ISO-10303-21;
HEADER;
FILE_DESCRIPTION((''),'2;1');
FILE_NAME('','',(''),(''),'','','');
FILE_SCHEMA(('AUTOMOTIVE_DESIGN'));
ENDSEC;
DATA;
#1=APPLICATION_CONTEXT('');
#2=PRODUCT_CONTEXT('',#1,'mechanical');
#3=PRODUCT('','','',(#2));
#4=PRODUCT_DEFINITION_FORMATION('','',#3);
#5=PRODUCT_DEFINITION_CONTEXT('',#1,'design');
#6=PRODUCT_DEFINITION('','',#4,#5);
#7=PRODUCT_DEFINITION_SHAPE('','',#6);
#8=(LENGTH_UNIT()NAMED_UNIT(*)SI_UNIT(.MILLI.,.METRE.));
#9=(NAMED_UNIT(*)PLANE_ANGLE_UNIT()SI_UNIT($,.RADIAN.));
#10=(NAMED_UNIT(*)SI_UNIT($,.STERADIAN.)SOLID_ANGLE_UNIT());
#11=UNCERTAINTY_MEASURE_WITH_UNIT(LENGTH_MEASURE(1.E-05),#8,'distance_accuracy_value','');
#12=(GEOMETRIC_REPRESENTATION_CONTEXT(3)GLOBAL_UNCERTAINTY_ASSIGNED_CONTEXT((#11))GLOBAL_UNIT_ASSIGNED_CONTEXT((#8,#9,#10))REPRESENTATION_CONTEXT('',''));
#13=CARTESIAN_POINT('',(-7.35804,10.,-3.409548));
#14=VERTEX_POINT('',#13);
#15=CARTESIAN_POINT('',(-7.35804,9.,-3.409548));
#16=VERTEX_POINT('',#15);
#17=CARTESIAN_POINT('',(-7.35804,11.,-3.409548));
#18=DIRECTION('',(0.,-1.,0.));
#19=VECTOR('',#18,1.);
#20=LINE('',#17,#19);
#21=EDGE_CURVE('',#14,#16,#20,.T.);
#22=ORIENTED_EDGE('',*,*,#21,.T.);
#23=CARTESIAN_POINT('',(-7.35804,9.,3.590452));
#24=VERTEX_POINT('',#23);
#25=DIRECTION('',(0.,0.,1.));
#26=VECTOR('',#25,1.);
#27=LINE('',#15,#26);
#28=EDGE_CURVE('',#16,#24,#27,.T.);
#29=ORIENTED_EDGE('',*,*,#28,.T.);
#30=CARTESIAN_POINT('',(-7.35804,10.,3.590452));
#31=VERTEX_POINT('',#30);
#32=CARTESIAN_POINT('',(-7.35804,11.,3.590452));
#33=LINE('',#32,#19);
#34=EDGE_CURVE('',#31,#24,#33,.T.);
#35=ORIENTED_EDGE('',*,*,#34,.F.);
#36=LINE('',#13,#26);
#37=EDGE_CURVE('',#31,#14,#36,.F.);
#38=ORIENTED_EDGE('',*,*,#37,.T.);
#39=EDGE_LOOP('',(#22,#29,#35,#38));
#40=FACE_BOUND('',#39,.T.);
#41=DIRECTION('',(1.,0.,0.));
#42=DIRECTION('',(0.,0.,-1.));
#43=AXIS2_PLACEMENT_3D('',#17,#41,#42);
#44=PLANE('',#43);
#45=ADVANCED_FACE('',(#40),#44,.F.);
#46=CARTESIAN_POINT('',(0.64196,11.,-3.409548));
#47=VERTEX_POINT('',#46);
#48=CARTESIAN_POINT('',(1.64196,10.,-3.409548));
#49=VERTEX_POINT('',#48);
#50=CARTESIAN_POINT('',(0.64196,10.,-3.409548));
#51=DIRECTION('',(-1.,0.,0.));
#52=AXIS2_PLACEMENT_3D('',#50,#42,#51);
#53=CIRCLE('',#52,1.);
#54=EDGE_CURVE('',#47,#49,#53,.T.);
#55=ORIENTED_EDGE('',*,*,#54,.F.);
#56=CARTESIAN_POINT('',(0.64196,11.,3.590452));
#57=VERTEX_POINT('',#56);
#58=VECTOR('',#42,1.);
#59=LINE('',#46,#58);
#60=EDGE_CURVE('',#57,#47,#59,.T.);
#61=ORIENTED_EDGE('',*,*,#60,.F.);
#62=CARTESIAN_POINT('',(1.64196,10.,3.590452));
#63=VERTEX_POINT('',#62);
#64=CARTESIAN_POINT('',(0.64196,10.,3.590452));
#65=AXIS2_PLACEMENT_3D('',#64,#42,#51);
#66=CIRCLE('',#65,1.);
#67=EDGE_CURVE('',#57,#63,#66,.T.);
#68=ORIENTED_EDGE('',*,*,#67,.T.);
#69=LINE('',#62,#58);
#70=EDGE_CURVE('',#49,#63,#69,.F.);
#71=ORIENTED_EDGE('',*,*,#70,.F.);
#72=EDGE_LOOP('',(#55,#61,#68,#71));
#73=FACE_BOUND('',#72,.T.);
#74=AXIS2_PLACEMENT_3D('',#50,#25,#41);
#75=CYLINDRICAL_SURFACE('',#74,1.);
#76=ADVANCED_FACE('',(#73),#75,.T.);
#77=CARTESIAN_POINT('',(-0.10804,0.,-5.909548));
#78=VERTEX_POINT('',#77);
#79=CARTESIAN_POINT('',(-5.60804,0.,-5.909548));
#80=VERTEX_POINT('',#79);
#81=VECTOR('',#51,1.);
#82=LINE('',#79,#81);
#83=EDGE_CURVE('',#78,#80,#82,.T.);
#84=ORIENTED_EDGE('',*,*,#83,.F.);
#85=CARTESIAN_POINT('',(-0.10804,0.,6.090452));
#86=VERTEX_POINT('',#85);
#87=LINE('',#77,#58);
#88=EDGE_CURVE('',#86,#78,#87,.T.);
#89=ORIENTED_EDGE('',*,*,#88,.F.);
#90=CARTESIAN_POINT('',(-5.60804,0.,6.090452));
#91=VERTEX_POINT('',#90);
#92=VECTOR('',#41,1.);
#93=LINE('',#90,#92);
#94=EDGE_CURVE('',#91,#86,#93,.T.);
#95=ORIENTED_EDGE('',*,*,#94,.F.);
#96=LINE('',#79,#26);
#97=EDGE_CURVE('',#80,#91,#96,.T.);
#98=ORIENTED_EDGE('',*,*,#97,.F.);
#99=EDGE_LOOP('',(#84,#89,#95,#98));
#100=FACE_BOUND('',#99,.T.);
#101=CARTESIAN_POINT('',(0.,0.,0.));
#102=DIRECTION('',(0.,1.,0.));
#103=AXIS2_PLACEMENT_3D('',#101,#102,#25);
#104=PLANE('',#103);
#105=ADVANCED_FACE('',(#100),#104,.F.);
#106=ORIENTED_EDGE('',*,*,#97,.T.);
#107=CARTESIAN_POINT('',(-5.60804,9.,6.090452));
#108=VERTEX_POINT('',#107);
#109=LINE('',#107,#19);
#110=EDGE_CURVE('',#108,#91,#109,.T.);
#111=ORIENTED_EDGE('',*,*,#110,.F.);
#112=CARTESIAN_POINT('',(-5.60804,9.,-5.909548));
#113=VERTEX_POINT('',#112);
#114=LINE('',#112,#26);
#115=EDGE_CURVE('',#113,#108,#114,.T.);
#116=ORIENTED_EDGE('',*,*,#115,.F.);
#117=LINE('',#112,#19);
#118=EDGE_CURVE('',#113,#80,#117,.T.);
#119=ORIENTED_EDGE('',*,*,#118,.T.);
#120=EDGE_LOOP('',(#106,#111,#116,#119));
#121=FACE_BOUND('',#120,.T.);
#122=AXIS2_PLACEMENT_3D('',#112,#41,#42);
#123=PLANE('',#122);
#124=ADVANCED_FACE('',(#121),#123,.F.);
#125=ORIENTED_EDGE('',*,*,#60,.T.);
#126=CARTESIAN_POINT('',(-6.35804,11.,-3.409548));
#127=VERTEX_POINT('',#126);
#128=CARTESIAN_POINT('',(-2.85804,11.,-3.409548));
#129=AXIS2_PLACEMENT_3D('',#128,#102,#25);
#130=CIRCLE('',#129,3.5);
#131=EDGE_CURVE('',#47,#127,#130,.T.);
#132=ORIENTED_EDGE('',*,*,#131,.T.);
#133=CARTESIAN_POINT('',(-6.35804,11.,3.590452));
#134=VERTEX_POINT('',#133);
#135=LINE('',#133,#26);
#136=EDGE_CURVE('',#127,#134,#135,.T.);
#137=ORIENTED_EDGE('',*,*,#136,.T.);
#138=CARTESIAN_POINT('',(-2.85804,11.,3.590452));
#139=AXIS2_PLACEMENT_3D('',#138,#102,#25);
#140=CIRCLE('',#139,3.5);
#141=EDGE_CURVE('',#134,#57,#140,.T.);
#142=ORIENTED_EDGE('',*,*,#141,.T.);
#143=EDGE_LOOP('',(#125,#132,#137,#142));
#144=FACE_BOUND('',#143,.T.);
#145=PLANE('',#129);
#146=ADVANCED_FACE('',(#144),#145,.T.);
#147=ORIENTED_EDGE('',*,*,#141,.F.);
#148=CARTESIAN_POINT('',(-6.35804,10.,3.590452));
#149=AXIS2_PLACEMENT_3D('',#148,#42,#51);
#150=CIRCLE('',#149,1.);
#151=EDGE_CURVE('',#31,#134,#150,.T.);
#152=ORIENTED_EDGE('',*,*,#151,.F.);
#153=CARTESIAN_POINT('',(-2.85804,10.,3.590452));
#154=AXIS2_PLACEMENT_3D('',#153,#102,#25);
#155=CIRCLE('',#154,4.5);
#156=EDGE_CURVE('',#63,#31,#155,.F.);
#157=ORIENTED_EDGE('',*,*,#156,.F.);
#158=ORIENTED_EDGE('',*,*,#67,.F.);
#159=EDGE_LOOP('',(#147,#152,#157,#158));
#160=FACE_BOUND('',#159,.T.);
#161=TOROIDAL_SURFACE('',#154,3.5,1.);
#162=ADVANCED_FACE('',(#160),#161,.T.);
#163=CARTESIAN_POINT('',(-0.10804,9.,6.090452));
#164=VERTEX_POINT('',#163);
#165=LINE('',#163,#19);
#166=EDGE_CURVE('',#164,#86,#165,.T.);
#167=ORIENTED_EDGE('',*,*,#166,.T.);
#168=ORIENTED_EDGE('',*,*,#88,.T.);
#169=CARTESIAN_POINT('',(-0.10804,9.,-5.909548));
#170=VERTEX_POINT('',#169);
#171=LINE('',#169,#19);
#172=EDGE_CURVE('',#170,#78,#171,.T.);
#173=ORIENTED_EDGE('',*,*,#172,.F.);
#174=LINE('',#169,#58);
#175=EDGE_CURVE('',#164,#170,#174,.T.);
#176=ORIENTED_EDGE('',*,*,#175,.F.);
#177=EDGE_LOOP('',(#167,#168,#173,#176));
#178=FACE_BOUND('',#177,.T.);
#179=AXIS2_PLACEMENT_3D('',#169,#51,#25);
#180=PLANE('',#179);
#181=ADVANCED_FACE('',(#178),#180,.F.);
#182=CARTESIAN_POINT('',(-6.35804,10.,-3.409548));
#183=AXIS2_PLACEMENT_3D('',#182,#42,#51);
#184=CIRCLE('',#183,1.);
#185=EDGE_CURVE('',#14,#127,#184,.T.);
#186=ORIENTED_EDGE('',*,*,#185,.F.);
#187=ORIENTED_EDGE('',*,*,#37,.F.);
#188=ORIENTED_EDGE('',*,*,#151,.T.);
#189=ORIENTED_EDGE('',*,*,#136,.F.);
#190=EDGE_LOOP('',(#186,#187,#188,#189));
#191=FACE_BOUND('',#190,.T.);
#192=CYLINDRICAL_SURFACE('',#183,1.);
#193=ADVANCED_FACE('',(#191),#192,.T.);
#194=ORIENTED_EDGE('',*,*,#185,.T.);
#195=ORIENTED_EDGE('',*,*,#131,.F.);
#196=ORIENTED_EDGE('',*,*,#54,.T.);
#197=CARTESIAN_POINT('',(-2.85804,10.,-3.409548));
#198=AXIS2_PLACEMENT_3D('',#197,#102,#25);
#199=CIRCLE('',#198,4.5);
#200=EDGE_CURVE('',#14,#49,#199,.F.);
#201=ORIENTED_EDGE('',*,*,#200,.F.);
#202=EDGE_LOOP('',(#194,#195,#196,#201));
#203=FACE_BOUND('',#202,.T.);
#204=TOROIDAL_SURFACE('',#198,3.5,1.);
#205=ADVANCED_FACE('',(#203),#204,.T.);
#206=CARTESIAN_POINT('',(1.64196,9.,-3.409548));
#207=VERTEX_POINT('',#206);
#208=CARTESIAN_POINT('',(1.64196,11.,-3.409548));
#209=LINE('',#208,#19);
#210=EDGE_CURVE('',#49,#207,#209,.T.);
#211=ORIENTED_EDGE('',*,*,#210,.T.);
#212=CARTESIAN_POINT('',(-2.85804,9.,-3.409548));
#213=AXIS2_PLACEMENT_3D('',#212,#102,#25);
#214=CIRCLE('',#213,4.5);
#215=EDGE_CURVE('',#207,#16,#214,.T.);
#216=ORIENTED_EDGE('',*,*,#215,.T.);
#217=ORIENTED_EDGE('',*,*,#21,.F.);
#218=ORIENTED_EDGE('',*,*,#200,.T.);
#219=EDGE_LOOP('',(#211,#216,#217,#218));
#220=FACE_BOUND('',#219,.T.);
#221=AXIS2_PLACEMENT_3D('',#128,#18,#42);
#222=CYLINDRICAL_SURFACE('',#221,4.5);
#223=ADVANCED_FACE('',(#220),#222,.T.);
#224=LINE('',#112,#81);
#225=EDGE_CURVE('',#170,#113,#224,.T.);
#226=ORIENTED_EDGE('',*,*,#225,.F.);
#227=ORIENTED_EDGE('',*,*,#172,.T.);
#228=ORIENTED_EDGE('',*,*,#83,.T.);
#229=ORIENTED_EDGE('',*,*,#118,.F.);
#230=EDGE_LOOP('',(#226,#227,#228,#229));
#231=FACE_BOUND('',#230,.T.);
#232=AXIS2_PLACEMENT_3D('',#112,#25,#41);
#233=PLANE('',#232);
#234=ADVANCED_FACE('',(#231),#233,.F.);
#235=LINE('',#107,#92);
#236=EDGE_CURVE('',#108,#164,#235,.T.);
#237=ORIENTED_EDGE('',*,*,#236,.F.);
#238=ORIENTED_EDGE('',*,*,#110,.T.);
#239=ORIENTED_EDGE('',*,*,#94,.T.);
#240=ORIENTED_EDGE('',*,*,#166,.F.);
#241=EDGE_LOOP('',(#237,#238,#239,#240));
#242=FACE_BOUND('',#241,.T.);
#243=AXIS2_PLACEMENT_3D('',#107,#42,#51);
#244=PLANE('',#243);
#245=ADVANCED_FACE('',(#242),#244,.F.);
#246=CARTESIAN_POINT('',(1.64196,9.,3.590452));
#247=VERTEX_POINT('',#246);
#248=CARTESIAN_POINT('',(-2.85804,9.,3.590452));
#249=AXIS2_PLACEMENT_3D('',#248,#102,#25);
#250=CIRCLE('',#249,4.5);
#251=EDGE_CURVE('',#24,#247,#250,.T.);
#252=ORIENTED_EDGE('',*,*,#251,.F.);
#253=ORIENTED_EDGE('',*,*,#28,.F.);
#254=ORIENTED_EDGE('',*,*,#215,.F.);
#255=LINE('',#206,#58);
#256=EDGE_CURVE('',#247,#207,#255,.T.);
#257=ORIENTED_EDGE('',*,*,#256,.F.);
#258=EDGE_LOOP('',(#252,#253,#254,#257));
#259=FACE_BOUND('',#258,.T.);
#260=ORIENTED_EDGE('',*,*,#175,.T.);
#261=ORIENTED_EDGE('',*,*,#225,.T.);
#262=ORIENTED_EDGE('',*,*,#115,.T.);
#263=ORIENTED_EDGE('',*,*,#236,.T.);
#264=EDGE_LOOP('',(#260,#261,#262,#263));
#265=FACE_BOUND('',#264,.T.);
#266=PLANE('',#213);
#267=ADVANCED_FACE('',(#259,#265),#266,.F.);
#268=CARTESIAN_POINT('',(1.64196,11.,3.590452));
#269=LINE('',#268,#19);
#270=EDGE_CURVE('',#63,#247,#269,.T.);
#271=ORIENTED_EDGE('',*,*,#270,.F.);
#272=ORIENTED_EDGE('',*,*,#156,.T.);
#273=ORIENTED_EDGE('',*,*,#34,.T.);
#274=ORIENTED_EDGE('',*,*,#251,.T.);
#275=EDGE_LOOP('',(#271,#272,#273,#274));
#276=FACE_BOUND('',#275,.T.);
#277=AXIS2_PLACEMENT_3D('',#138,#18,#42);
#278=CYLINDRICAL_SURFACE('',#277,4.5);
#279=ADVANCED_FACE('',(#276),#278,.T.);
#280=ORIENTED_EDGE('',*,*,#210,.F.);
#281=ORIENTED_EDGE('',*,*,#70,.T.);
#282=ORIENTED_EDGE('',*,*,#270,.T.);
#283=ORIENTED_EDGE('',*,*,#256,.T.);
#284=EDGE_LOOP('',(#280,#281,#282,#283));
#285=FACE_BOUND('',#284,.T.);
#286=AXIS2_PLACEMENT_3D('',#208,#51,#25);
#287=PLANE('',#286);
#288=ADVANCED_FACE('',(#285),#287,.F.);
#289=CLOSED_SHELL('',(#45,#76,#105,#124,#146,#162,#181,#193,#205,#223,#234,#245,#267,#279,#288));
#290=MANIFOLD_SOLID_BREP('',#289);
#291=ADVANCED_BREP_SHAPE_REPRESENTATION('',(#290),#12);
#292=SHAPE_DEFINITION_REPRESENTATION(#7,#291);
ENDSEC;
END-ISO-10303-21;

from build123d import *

# Parameters (mm, degrees)
SKETCH_1_W      = 5.5
SKETCH_1_H      = 12
EXTRUDE_1_DEPTH = 9
EXTRUDE_2_DEPTH = 2
FILLET_1_R      = 1


with BuildPart() as part:
    # Эскиз1 → Бобышка-Вытянуть1 (new body)
    with BuildSketch(Plane(origin=(0, 0, 0), x_dir=(1, 0, 0), z_dir=(0, 1, 0))):
        with Locations((-2.858040201, -0.090452261)):
            Rectangle(SKETCH_1_W, SKETCH_1_H)
    extrude(amount=EXTRUDE_1_DEPTH)

    # Эскиз3 → Бобышка-Вытянуть2 (add)
    with BuildSketch(Plane(origin=(0, 9, 0), x_dir=(1, 0, 0), z_dir=(0, 1, 0))):
        with BuildLine():
            Line((1.641959799, 3.409547739), (1.641959799, -3.590452261))
            ThreePointArc((1.641959799, -3.590452261), (-2.858040201, -8.090452261), (-7.358040201, -3.590452261))
            Line((-7.358040201, -3.590452261), (-7.358040201, 3.409547739))
            ThreePointArc((-7.358040201, 3.409547739), (-2.858040201, 7.909547739), (1.641959799, 3.409547739))
        make_face()
    extrude(amount=EXTRUDE_2_DEPTH)

    # Скругление1
    fillet_1_edges = [part.edges().sort_by_distance(p)[0] for p in [
        (-2.858040201, 11, -7.909547739),
        (-7.358040201, 11, 0.090452261),
        (-2.858040201, 11, 8.090452261),
        (1.641959799, 11, 0.090452261),
    ]]
    fillet(fillet_1_edges, radius=FILLET_1_R)


solid = part.part
